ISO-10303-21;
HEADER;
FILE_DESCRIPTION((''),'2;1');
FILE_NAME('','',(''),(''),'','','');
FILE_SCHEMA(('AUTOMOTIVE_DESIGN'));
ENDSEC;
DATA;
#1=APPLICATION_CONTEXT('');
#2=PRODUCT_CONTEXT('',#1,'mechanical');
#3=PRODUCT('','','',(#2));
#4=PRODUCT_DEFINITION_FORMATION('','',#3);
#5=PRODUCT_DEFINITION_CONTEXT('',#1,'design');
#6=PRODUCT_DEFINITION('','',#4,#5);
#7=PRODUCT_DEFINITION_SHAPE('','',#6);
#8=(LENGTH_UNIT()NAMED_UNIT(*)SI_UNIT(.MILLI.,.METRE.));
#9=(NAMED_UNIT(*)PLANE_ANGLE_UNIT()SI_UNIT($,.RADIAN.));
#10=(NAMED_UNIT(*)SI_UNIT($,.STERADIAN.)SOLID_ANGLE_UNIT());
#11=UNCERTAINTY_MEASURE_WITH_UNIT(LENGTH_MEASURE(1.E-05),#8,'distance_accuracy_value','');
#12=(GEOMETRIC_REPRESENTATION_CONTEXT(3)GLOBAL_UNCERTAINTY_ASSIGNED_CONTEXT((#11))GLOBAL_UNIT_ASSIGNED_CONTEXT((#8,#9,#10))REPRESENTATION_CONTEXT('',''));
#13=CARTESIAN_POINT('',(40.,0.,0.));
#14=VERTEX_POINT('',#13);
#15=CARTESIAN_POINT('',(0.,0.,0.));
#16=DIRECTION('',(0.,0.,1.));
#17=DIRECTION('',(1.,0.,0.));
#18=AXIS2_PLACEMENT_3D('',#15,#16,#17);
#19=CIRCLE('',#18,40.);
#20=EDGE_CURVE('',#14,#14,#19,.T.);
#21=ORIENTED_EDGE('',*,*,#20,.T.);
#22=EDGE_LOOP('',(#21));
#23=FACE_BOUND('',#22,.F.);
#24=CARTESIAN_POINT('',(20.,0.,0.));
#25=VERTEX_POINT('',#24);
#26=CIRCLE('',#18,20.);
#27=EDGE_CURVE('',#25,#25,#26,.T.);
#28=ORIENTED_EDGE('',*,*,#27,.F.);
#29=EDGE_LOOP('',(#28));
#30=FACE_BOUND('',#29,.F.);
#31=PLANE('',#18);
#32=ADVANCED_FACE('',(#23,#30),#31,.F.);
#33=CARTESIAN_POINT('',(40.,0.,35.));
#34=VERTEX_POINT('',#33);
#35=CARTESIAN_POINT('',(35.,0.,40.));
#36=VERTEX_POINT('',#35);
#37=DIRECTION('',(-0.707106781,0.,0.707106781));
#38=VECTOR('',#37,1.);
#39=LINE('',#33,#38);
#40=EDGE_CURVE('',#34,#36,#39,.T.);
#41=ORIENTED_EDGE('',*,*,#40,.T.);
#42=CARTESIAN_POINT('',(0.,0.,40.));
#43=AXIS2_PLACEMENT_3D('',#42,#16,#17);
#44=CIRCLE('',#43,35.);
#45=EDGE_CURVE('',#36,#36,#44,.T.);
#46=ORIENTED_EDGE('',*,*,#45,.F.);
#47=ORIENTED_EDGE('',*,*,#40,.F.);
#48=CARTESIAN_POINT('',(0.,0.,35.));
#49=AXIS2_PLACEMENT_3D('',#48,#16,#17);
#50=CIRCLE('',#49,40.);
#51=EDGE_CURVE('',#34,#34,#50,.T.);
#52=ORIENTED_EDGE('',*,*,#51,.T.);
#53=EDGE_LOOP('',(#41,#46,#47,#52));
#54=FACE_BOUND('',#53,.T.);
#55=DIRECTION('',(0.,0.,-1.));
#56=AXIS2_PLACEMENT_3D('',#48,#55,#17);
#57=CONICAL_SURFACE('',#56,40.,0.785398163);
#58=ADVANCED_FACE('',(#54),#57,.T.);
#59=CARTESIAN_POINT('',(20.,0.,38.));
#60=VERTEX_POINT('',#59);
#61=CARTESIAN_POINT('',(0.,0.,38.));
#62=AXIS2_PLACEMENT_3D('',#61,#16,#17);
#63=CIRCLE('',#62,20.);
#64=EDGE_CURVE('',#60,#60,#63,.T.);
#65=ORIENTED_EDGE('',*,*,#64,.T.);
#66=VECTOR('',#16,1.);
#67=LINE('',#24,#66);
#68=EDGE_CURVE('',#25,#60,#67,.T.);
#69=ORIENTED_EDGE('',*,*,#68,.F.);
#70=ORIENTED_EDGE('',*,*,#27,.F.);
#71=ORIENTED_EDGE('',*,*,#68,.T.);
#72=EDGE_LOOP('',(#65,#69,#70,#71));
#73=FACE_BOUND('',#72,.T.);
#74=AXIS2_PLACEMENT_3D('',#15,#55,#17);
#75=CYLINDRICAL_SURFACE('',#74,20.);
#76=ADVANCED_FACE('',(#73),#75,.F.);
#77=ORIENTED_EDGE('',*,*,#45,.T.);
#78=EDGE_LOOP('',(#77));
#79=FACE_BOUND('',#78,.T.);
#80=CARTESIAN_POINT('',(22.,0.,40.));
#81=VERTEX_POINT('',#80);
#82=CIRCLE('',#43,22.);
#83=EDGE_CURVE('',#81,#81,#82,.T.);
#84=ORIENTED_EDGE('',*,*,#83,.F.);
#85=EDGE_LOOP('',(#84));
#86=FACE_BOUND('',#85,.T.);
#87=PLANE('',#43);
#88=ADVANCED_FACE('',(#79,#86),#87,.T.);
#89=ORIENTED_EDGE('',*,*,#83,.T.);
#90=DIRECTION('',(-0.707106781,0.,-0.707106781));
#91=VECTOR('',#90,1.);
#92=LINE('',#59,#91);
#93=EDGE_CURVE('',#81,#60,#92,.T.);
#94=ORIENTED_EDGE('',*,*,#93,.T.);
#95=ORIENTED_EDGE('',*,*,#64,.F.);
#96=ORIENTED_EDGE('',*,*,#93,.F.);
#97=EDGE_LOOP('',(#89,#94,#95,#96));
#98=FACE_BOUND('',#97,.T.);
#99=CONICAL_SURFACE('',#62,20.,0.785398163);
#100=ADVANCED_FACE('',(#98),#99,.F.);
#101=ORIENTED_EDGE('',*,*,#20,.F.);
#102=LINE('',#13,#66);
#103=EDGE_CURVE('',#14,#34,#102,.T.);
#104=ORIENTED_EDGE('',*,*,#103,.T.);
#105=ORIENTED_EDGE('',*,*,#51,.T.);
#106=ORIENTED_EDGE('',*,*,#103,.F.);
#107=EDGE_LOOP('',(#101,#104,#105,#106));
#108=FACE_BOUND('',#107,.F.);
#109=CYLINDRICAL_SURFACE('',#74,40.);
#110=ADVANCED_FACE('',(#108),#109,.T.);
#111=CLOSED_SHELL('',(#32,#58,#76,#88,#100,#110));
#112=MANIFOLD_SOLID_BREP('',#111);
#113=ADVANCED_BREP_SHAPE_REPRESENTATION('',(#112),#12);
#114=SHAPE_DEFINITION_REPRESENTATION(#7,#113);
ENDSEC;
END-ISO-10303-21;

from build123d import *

# Parameters (mm, degrees)
F0_R     = 40
F0_R_2   = 20
F1_DEPTH = 40
F2_SIZE  = 5
F3_SIZE  = 2


with BuildPart() as f1:
    # F0 (on Top) → F1 (new body)
    with BuildSketch(Plane.XY):
        Circle(F0_R)
        Circle(F0_R_2, mode=Mode.SUBTRACT)
    extrude(amount=F1_DEPTH)

    # F2
    f2_edges = [f1.edges().sort_by_distance(p)[0] for p in [
        (-40, 0, 40),
    ]]
    chamfer(f2_edges, length=F2_SIZE)

    # F3
    f3_edges = [f1.edges().sort_by_distance(p)[0] for p in [
        (-20, 0, 40),
    ]]
    chamfer(f3_edges, length=F3_SIZE)


solid = f1.part
